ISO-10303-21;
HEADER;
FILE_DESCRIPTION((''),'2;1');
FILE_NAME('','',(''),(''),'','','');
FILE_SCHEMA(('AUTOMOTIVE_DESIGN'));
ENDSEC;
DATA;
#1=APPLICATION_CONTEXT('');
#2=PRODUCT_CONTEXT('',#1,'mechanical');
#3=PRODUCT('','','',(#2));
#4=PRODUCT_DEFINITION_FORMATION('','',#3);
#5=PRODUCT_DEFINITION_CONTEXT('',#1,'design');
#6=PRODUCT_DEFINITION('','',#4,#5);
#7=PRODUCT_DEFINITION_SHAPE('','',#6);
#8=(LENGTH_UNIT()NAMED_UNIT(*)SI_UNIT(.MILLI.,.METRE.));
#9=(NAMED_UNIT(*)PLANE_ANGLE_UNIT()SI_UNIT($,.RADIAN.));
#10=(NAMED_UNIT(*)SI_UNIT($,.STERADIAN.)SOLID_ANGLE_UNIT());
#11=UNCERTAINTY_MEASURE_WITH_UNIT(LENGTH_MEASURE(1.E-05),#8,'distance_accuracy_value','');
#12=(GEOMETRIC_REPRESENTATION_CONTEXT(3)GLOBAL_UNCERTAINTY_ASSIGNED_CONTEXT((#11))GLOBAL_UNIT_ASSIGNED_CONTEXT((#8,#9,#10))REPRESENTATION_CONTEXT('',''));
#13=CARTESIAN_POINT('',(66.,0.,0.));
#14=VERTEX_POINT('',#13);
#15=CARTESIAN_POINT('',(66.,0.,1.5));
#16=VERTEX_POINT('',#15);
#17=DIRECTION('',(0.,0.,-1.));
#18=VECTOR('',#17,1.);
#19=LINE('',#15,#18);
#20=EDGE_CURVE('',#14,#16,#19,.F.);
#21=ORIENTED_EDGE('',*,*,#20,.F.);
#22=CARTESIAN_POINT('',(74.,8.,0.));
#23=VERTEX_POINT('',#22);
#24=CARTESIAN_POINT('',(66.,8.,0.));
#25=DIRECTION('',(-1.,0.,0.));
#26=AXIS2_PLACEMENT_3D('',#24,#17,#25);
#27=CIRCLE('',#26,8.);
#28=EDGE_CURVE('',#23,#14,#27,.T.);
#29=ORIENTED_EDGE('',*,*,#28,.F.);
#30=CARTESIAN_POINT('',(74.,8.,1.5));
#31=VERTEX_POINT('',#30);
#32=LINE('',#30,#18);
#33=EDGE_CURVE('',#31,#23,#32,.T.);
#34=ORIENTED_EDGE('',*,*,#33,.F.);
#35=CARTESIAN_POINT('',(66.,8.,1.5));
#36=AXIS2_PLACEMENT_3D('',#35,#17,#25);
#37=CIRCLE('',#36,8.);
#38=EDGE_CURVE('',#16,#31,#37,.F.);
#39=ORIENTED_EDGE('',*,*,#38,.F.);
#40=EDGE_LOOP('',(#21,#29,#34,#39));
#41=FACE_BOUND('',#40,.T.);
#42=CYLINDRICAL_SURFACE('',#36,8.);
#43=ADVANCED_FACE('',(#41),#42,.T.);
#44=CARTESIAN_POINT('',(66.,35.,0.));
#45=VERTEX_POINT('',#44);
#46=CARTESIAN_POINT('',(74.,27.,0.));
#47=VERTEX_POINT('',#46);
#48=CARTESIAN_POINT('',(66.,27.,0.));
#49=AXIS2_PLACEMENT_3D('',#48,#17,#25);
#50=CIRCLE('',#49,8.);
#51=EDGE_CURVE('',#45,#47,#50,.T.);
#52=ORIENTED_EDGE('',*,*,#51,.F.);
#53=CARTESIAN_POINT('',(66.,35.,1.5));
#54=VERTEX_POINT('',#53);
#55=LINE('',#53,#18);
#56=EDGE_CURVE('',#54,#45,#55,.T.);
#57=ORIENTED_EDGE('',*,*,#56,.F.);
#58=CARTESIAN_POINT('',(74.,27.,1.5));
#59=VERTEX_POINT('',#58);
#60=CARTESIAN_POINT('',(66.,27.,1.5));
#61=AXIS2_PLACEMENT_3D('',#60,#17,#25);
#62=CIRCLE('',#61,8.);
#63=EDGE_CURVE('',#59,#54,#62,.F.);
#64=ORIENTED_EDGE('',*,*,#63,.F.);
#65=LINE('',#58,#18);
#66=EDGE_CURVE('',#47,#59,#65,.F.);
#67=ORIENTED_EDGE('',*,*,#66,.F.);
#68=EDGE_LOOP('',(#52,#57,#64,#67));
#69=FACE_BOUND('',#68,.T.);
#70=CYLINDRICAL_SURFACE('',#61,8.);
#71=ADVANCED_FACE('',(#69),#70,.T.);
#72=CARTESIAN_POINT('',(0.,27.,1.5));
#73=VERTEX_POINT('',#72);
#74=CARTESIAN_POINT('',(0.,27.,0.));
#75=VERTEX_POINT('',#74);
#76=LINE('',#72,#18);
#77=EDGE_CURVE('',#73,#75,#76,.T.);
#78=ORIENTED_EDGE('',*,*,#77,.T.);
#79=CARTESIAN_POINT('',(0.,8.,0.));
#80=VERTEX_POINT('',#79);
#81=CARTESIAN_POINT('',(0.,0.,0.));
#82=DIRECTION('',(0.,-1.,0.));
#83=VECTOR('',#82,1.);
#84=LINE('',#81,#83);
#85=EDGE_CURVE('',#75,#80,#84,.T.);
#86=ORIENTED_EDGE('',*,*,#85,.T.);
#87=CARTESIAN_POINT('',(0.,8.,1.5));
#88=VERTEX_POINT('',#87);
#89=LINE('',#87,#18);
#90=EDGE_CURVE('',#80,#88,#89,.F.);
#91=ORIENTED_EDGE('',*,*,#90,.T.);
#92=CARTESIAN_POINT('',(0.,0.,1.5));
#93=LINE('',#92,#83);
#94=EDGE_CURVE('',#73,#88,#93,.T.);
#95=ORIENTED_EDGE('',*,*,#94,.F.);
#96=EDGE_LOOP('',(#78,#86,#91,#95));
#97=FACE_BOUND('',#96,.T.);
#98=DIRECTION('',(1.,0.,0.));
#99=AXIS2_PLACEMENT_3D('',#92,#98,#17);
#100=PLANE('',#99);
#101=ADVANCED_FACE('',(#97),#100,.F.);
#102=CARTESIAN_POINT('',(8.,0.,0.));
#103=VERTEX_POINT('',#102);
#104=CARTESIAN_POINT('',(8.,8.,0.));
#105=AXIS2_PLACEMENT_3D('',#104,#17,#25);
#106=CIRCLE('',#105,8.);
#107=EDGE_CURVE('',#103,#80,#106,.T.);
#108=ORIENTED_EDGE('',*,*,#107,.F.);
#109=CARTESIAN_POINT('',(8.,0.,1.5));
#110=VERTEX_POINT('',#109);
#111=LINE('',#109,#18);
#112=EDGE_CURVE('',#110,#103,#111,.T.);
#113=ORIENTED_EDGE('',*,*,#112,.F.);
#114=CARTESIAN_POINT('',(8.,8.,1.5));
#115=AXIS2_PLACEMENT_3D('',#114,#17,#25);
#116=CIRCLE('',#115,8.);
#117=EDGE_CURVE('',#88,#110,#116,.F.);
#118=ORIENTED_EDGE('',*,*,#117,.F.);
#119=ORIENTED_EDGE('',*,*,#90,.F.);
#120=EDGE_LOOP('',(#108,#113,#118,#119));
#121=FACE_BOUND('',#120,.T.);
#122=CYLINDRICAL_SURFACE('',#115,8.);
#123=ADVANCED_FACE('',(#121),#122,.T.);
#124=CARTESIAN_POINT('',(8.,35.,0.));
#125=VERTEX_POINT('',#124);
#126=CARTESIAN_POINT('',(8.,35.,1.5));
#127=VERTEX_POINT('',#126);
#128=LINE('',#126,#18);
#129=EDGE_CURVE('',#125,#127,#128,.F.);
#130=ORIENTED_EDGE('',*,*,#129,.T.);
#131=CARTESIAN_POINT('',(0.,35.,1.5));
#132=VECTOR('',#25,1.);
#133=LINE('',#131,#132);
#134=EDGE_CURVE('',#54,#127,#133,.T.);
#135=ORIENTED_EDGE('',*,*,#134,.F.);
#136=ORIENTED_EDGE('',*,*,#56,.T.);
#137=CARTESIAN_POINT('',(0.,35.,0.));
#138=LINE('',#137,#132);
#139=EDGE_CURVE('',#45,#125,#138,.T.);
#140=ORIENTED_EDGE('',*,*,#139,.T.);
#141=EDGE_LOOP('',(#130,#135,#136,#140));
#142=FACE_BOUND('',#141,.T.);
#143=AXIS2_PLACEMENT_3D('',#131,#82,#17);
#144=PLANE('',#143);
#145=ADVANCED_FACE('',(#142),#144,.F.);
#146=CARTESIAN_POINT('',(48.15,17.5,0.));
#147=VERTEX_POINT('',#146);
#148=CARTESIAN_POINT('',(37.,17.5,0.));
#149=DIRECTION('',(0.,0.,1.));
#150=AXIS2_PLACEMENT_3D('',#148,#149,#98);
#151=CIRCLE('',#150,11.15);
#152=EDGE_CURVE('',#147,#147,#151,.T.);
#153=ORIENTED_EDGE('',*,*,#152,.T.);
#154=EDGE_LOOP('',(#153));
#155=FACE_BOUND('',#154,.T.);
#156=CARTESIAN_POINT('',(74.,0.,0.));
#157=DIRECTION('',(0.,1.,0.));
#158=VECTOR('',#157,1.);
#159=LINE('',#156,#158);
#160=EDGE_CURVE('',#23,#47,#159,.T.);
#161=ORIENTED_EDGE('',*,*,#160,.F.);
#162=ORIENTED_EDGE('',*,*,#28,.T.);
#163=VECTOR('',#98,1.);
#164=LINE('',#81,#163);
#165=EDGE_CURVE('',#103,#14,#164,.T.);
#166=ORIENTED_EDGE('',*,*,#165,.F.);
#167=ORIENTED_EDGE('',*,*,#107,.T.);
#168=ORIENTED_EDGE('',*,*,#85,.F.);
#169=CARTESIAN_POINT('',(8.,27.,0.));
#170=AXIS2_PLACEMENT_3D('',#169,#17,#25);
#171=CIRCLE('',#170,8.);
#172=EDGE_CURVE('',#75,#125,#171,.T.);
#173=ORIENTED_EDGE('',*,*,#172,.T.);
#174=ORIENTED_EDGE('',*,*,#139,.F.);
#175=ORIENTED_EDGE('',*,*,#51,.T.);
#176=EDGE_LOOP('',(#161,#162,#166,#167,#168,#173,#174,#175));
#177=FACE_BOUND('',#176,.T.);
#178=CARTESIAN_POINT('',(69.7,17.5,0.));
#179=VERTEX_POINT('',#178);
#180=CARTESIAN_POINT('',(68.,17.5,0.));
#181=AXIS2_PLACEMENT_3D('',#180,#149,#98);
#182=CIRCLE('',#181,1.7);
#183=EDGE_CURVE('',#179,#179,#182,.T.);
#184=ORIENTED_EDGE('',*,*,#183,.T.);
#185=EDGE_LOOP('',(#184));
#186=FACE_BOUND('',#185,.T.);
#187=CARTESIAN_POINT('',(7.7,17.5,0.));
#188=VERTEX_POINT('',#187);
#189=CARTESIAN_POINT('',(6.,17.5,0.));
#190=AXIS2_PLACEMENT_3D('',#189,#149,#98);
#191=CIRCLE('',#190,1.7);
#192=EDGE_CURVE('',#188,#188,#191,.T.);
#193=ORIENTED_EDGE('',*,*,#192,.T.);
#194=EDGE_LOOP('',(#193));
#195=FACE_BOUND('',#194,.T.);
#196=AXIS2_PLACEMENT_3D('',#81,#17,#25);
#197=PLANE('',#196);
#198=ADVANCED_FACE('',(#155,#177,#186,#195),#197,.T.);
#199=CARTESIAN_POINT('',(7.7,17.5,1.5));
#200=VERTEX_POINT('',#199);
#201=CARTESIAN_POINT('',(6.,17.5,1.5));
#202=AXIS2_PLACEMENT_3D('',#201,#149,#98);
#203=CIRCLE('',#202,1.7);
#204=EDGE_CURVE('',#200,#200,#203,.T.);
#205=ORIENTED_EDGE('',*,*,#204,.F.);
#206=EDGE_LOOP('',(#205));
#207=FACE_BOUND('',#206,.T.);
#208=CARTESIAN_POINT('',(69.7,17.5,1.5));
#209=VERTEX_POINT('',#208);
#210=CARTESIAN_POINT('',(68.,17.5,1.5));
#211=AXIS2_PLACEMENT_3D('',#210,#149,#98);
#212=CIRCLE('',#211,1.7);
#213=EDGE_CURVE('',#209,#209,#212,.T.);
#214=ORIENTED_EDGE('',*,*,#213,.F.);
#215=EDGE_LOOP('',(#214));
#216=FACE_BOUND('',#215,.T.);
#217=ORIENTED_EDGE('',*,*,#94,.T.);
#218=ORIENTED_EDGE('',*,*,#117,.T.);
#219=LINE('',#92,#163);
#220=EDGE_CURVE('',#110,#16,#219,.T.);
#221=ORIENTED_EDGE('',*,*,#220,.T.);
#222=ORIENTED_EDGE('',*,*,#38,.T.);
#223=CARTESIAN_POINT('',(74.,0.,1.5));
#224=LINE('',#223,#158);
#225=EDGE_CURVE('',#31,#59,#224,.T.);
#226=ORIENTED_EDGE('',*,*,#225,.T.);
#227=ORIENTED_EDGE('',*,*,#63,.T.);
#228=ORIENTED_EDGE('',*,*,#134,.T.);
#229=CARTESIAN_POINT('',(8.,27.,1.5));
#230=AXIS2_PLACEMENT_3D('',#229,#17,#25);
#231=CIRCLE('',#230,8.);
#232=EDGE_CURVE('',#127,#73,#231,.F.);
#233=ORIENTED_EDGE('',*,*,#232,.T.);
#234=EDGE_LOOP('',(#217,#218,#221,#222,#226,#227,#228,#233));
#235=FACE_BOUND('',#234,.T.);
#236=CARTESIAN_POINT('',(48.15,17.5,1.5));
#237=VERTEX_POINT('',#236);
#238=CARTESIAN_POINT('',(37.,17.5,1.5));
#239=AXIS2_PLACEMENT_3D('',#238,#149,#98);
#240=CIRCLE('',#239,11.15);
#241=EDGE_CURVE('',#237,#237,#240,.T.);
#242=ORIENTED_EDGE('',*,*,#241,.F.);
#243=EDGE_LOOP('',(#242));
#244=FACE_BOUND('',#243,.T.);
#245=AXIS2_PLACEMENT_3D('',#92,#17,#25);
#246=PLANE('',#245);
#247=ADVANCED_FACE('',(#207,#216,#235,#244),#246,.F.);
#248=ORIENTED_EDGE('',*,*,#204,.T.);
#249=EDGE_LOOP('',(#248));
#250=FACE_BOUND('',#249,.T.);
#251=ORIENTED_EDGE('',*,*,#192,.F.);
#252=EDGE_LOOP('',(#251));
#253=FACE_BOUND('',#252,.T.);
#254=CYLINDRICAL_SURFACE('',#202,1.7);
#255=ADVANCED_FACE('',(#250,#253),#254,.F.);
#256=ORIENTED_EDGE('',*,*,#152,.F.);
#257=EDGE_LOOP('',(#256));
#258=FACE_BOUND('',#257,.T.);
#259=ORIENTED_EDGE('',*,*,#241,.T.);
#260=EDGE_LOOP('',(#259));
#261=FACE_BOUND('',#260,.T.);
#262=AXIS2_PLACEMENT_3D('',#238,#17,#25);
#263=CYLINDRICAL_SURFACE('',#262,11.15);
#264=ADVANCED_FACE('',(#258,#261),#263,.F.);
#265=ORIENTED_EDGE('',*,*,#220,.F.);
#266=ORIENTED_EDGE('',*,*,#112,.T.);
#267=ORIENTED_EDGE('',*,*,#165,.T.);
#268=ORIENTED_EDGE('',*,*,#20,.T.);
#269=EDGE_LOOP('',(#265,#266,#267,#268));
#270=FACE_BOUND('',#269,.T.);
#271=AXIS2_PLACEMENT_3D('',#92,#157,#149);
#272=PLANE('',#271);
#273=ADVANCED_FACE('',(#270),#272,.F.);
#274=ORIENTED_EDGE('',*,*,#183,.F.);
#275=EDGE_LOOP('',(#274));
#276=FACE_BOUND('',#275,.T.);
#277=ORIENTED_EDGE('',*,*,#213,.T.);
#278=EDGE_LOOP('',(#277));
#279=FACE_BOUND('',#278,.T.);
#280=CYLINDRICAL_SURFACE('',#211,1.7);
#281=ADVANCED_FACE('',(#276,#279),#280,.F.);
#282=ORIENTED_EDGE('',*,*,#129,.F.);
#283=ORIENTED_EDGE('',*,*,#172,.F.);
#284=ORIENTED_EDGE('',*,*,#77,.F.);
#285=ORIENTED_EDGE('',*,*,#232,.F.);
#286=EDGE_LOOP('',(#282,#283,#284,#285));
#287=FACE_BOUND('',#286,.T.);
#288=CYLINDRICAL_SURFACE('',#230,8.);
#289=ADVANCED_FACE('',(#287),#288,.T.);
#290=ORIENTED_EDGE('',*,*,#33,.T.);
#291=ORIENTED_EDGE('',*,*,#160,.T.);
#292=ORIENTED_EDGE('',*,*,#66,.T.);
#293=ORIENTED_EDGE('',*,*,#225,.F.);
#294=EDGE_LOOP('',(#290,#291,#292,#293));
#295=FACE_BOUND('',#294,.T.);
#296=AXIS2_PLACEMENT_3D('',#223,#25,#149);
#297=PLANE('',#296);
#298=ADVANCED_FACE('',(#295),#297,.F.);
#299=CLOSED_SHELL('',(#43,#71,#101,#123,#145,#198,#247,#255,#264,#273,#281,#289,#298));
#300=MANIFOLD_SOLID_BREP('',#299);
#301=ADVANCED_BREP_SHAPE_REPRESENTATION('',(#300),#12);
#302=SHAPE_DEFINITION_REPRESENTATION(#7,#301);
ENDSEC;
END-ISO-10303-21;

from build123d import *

# Parameters (mm, degrees)
ESQUISSE1_W          = 74
ESQUISSE1_H          = 35
ESQUISSE1_R          = 11.15
ESQUISSE1_R_2        = 1.5
BOSS_EXTRU_1_DEPTH   = 1.5
D_GAGEMENT_M31_D     = 3.4
D_GAGEMENT_M31_DEPTH = 1.5
CONG_1_R             = 8


with BuildPart() as part:
    # Esquisse1 → Boss.-Extru.1 (new body)
    with BuildSketch(Plane.XY):
        with Locations((37, 17.5)):
            Rectangle(ESQUISSE1_W, ESQUISSE1_H)
        with Locations((37, 17.5)):
            Circle(ESQUISSE1_R, mode=Mode.SUBTRACT)
        with Locations((6, 17.5)):
            Circle(ESQUISSE1_R_2, mode=Mode.SUBTRACT)
        with Locations((68, 17.5)):
            Circle(ESQUISSE1_R_2, mode=Mode.SUBTRACT)
    extrude(amount=BOSS_EXTRU_1_DEPTH)

    # Dégagement M31
    with Locations(Plane.XY.offset(1.5)):
        with Locations((6, 17.5), (68, 17.5)):
            Hole(D_GAGEMENT_M31_D / 2, depth=D_GAGEMENT_M31_DEPTH)

    # Congé1
    cong_1_edges = [part.edges().sort_by_distance(p)[0] for p in [
        (0, 35, 0.75),
        (74, 35, 0.75),
        (74, 0, 0.75),
        (0, 0, 0.75),
    ]]
    fillet(cong_1_edges, radius=CONG_1_R)


solid = part.part
